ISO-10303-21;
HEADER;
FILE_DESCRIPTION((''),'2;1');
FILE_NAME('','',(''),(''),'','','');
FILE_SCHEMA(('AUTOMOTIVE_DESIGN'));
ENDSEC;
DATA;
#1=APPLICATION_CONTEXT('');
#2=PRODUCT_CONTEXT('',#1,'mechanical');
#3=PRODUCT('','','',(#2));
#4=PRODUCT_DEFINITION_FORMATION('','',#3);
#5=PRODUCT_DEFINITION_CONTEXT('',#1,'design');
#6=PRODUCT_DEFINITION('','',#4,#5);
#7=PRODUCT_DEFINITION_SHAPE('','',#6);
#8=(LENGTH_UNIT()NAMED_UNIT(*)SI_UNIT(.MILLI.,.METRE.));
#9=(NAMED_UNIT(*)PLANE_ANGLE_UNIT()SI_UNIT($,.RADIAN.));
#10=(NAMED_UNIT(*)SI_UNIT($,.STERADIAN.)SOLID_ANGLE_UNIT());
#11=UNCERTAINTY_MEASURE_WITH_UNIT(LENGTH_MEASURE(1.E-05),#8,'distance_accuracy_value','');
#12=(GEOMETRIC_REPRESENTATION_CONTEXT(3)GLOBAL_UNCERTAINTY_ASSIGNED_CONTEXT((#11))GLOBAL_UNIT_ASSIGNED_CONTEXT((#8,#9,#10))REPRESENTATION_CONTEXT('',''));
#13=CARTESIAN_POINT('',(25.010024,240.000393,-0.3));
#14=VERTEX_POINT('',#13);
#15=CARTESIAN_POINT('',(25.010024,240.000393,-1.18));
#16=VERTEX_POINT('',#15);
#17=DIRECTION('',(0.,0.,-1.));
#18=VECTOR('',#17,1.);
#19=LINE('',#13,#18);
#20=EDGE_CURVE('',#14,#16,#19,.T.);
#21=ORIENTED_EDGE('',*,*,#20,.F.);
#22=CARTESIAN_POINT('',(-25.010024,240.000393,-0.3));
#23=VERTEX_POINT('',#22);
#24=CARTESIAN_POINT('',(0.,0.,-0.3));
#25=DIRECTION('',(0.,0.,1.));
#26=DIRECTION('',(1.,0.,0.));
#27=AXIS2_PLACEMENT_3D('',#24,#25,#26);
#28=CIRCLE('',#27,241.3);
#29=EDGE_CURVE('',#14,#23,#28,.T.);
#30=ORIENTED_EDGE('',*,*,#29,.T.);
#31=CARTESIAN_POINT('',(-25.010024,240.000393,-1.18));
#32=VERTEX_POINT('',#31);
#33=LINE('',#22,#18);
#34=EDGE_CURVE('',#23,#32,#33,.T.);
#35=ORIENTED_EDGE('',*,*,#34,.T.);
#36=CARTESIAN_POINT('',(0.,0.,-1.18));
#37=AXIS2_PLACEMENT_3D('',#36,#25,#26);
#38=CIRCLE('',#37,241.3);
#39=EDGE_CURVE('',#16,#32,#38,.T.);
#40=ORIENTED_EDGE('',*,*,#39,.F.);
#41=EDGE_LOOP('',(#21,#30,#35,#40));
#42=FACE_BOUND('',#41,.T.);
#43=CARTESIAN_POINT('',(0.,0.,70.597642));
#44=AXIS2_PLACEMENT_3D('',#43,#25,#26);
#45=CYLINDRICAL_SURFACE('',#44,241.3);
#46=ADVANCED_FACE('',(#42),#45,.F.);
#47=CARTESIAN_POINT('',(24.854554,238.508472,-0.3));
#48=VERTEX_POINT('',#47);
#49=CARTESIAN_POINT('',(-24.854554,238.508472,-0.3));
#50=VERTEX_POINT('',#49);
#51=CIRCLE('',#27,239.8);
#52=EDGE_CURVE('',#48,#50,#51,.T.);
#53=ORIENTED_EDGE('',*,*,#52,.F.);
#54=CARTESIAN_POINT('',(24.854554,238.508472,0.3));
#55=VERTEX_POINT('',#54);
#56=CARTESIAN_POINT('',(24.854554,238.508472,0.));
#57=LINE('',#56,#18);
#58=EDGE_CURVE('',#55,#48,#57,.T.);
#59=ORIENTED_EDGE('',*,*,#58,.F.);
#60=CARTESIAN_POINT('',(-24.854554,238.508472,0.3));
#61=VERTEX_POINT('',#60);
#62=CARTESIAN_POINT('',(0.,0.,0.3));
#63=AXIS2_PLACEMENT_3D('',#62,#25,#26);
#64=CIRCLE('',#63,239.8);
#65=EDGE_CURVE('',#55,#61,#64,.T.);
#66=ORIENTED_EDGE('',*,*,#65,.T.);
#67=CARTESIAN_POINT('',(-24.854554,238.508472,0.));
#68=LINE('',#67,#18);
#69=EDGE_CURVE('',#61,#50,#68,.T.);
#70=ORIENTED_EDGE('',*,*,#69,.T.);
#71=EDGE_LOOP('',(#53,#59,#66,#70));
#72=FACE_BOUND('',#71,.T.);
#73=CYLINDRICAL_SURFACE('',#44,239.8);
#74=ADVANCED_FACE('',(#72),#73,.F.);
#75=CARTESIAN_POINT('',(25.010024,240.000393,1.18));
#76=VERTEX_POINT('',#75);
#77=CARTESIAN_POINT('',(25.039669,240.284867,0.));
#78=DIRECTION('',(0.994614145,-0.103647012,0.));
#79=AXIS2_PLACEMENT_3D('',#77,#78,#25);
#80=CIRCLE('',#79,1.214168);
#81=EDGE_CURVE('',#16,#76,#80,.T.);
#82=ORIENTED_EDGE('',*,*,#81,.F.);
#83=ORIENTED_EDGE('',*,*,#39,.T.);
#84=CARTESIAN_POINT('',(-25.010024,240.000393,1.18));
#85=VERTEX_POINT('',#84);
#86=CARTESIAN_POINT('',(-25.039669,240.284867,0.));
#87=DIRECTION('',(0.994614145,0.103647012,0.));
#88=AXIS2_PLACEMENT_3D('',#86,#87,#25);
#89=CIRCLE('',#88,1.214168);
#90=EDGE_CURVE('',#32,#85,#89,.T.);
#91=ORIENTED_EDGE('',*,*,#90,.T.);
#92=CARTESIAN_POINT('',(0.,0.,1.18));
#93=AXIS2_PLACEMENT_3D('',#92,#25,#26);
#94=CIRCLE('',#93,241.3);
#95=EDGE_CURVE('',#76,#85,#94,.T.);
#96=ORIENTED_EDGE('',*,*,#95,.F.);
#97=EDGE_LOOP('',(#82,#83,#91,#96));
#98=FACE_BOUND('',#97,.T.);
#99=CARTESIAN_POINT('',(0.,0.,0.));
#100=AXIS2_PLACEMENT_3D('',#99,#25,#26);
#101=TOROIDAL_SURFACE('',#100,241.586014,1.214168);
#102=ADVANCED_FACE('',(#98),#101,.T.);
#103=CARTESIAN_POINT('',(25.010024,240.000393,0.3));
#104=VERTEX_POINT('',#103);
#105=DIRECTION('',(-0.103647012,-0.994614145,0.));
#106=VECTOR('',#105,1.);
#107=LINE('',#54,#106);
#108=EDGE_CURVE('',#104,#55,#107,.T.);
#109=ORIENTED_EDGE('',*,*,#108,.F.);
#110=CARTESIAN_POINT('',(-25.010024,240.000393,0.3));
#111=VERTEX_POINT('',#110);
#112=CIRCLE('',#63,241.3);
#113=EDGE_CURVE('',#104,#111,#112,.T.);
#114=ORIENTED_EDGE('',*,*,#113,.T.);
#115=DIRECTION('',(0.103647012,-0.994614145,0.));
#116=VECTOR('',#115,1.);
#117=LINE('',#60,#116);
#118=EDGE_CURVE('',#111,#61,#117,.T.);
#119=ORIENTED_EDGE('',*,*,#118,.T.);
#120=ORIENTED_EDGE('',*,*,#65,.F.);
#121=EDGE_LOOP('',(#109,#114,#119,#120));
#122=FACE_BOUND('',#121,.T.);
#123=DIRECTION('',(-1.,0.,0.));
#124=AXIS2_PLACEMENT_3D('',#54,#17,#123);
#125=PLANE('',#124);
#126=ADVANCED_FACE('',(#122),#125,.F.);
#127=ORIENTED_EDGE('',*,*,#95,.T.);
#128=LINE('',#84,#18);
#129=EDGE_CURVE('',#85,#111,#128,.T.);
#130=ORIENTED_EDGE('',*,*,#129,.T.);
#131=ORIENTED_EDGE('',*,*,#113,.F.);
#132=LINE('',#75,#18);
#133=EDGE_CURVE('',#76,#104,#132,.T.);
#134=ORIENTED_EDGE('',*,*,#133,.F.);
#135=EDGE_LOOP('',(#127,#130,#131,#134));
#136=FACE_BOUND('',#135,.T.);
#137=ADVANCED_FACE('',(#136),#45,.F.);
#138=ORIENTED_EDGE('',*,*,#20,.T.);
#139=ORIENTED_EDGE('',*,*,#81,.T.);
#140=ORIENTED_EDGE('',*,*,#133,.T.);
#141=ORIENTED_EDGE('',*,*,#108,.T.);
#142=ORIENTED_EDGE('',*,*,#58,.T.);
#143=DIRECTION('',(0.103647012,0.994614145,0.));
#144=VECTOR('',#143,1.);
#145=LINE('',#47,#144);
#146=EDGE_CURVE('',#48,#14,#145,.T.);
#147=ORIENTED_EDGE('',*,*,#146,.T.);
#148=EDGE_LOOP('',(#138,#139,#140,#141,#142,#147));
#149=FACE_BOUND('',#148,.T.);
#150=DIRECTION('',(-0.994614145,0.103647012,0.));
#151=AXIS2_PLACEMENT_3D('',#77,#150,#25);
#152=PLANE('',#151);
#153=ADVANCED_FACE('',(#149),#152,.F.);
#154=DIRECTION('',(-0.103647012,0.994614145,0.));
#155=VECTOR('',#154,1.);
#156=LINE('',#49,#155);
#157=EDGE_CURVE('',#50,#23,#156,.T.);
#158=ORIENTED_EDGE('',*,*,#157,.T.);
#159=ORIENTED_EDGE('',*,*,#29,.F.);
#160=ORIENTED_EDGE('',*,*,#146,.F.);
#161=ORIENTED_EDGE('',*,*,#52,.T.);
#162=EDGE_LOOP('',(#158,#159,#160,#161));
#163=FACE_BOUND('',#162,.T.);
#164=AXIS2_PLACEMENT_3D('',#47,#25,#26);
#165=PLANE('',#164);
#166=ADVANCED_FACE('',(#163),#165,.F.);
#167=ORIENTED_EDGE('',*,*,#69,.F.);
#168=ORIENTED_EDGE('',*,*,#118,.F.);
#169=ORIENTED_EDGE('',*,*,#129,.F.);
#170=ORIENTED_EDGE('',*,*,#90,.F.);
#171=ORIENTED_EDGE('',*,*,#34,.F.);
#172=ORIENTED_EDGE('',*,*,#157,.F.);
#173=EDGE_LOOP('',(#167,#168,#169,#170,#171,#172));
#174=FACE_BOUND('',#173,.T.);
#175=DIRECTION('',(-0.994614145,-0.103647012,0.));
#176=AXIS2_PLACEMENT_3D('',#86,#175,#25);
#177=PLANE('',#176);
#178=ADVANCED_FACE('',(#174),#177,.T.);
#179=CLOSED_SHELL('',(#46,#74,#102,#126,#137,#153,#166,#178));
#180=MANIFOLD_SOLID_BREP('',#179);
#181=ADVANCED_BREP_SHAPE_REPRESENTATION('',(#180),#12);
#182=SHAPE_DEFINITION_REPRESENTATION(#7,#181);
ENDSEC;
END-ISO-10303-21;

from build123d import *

# Parameters (mm, degrees)
REVOLVE1_ANGLE           = 5.949220755
REVOLVE1_OTHER_WAY_ANGLE = 5.949220755


with BuildPart() as part:
    # Sketch2 → Revolve1 (revolve)
    with BuildSketch(Plane(origin=(0, 0, 0), x_dir=(0, 0, -1), z_dir=(1, 0, 0))):
        with BuildLine():
            Line((0, 239.8), (0.3, 239.8))
            Line((0.3, 239.8), (0.3, 241.3))
            Line((0.3, 241.3), (1.18, 241.3))
            ThreePointArc((1.18, 241.3), (0, 242.800182019), (-1.18, 241.3))
            Line((-1.18, 241.3), (-0.3, 241.3))
            Line((-0.3, 241.3), (-0.3, 239.8))
            Line((-0.3, 239.8), (0, 239.8))
        make_face()
    revolve(axis=Axis((0, 0, 70.597641597), (0, 0, -1)), revolution_arc=REVOLVE1_ANGLE)

    # Sketch2 → Revolve1 other way (revolve)
    with BuildSketch(Plane(origin=(0, 0, 0), x_dir=(0, 0, -1), z_dir=(1, 0, 0))):
        with BuildLine():
            Line((0, 239.8), (0.3, 239.8))
            Line((0.3, 239.8), (0.3, 241.3))
            Line((0.3, 241.3), (1.18, 241.3))
            ThreePointArc((1.18, 241.3), (0, 242.800182019), (-1.18, 241.3))
            Line((-1.18, 241.3), (-0.3, 241.3))
            Line((-0.3, 241.3), (-0.3, 239.8))
            Line((-0.3, 239.8), (0, 239.8))
        make_face()
    revolve(axis=Axis((0, 0, 70.597641597), (0, 0, 1)), revolution_arc=REVOLVE1_OTHER_WAY_ANGLE)


solid = part.part
